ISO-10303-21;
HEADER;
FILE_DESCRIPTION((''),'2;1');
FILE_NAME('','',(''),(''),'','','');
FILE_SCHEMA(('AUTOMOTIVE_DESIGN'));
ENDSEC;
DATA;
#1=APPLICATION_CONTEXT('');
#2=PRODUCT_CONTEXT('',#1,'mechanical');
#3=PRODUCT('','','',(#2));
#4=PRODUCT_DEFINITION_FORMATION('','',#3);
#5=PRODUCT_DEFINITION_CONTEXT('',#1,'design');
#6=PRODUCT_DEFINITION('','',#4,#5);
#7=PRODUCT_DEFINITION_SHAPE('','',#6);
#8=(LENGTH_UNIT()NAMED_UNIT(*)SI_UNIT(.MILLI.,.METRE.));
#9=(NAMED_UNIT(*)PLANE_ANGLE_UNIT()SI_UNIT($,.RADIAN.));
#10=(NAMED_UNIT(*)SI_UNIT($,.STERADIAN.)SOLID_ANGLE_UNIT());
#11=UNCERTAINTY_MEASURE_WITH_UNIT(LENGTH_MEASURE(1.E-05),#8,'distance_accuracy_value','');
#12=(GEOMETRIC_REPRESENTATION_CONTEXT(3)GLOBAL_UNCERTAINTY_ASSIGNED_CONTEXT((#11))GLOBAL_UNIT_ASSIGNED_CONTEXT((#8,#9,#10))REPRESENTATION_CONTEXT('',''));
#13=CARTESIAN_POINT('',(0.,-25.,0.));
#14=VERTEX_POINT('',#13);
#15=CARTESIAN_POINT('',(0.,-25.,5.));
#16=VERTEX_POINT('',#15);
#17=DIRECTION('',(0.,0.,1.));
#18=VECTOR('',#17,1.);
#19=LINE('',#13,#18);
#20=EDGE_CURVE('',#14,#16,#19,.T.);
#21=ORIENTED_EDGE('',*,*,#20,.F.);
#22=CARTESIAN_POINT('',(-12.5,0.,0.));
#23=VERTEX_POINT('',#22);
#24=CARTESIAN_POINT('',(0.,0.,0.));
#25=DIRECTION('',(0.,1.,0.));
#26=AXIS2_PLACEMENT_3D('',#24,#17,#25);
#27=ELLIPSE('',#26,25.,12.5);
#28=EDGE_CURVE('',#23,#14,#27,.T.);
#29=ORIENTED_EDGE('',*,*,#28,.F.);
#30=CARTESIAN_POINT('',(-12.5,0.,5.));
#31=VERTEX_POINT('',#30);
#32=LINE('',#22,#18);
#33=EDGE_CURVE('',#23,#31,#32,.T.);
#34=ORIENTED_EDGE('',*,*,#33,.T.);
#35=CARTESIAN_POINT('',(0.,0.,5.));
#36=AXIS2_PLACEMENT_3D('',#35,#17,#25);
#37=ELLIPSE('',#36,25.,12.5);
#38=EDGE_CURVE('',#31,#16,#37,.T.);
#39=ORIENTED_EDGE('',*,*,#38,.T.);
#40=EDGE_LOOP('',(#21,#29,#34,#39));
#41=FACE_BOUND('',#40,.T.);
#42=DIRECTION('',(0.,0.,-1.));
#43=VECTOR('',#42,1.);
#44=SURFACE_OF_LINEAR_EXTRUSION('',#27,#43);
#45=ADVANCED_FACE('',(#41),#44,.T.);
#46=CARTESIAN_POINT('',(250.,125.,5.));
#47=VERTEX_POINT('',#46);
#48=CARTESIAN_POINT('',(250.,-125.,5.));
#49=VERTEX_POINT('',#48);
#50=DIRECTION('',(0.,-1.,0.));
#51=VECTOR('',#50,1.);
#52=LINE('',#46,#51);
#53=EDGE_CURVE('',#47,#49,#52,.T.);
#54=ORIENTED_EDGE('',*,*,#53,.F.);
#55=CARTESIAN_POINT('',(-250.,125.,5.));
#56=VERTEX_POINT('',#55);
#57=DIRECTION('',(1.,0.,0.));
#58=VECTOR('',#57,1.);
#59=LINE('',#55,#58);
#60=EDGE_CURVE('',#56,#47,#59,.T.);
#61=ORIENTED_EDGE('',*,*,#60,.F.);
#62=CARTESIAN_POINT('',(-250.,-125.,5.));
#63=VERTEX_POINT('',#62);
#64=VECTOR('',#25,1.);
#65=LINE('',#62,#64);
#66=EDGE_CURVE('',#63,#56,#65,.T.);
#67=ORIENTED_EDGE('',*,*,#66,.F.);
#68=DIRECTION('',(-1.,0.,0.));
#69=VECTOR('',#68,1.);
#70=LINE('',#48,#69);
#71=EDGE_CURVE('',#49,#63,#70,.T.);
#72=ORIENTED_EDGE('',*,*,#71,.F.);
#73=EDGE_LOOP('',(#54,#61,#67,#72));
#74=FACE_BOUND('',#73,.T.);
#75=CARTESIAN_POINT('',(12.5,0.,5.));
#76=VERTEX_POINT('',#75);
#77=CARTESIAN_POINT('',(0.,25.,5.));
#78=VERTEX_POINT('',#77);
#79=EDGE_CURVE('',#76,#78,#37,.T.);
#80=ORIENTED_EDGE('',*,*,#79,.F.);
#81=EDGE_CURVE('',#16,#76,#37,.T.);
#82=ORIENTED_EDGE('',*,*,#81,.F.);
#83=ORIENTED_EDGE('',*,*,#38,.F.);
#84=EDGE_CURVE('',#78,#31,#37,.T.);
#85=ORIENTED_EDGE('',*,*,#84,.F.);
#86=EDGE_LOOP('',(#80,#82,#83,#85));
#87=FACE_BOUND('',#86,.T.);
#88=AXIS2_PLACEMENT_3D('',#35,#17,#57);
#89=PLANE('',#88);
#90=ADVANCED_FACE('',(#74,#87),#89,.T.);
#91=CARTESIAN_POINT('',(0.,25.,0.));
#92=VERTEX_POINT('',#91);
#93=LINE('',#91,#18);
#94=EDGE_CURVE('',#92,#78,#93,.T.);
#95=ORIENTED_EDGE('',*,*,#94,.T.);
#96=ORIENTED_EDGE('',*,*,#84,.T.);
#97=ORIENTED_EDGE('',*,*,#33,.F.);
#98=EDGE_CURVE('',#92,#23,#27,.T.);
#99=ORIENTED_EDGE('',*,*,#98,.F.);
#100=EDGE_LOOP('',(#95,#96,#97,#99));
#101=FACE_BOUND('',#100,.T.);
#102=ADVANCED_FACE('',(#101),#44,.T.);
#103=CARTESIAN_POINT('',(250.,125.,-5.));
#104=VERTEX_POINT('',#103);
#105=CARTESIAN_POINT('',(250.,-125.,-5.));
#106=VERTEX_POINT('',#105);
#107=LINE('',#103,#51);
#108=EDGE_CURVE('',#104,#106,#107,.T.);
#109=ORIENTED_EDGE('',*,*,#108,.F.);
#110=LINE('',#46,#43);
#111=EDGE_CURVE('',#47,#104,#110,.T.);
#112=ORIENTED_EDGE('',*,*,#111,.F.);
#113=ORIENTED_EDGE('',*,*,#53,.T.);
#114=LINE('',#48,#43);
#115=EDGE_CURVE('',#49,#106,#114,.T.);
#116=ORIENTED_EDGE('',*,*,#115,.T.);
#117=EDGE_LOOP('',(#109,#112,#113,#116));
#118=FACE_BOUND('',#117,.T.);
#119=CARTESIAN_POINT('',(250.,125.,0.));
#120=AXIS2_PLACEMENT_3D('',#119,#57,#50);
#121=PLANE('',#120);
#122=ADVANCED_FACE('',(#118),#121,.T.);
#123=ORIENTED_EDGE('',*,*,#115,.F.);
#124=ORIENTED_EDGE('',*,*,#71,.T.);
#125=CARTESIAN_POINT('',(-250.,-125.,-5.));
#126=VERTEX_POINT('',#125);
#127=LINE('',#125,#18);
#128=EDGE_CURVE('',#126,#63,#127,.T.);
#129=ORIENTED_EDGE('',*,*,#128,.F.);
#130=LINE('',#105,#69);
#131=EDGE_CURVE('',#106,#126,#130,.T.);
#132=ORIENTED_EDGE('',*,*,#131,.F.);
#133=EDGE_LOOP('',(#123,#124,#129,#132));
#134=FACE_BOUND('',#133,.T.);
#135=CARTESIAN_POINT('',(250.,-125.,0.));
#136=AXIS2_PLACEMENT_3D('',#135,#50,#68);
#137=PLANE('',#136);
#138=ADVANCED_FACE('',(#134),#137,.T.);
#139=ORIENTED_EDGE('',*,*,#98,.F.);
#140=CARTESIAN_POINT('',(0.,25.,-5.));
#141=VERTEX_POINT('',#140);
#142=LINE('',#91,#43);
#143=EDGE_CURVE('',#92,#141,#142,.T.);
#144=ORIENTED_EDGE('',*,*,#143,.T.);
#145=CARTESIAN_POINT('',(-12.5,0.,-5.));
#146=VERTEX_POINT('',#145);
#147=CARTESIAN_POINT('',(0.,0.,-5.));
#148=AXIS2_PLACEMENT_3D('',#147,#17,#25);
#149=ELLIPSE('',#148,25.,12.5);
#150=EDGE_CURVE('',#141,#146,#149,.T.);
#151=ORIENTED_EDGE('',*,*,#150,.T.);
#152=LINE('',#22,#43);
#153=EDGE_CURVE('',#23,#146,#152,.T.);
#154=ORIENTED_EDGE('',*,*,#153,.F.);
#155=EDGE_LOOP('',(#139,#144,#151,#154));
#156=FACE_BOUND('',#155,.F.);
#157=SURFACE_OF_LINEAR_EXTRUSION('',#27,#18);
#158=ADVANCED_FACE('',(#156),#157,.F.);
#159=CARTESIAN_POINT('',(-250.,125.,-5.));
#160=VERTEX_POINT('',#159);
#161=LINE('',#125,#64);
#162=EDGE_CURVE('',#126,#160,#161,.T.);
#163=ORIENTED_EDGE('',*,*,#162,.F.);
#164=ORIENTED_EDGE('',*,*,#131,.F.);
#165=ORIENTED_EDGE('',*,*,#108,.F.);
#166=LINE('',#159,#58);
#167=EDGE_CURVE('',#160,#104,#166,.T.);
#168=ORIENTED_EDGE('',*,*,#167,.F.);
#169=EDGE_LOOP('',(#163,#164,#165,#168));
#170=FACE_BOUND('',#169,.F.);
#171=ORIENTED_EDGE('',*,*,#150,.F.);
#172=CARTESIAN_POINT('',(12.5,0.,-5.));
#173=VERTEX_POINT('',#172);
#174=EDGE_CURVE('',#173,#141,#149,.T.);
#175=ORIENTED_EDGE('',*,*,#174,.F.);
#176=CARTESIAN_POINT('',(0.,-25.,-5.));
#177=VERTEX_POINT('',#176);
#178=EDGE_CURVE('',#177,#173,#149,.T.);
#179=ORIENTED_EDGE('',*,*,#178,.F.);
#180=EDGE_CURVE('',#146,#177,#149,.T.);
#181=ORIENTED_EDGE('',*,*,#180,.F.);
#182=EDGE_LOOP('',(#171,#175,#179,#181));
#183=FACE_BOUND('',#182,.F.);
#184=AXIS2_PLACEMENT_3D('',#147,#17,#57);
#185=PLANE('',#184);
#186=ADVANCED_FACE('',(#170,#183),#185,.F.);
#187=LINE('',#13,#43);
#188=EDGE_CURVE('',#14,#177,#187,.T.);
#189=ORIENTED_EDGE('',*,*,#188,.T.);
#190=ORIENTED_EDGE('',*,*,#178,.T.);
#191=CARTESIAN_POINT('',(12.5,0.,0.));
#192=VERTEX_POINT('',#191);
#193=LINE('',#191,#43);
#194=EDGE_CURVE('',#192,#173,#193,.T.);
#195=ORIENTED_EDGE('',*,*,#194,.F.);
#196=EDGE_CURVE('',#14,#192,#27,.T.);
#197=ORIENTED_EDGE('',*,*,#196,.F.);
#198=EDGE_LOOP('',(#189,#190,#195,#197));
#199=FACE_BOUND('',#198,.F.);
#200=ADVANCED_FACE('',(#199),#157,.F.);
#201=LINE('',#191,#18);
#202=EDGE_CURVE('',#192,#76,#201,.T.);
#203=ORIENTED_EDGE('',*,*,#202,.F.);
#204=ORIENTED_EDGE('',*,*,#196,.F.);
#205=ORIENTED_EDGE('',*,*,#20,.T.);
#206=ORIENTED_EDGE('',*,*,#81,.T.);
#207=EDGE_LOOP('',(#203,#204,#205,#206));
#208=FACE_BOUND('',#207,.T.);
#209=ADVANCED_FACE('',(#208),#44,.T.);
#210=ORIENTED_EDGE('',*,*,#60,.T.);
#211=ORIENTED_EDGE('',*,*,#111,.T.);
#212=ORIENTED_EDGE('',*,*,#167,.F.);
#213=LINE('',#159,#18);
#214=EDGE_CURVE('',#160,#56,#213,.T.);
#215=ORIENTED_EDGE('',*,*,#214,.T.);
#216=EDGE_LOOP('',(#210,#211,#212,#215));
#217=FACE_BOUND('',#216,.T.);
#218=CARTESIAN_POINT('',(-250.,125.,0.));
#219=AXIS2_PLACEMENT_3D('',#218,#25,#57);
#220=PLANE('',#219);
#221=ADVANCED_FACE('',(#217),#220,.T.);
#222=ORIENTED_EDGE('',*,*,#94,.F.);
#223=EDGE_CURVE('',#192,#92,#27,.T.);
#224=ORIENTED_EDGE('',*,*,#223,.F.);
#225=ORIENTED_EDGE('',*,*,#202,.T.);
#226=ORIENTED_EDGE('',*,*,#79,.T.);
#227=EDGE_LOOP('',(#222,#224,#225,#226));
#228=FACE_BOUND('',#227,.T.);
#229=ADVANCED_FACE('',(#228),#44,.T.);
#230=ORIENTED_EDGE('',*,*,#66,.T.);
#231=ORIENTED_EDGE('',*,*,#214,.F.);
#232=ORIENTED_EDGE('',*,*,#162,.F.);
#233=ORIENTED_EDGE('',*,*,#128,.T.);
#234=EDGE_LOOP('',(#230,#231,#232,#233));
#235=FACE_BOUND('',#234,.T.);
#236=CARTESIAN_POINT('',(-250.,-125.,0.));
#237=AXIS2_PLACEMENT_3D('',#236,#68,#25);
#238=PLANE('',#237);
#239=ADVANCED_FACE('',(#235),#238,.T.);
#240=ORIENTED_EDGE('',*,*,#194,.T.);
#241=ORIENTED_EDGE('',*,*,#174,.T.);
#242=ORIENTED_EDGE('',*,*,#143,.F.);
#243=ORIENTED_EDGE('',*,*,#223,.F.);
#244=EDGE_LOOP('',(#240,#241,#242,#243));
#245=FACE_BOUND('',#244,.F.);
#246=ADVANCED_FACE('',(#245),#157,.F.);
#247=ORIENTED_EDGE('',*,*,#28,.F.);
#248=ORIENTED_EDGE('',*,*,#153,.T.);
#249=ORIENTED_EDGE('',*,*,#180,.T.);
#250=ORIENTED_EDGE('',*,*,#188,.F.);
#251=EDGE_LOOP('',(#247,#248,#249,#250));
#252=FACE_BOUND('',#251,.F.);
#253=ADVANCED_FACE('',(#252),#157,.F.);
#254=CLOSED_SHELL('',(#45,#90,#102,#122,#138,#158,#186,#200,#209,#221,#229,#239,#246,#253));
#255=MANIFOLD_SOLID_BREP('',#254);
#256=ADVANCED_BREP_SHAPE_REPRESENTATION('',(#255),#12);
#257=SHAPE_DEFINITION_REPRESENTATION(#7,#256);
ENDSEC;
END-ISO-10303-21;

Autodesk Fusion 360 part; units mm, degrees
sketch "Sketch1" plane through (0, 0, 0) normal (0, 0, 1) x (1, 0, 0)
  line L0 (-250, 125) -> (250, 125)
  line L1 (250, 125) -> (250, -125)
  line L2 (250, -125) -> (-250, -125)
  line L3 (-250, -125) -> (-250, 125)
  line L4 (-250, 0) -> (250, 0) construction
  line L5 (0, 125) -> (0, -125) construction
  ellipse E0 centre (0, 0) end of major axis (0, 25) minor radius 12.5
  line L6 (0, -25) -> (0, 25)
  line L7 (12.5, 0) -> (-12.5, 0)
  dimension "Major_Radius" = 25
  dimension "Minor_Radius" = 12.5
  dimension "Total_Height" = 250
  dimension "Total_Width" = 500
extrude "Extrude1" add sketch "Sketch1" along normal mid plane 10
equation "Thickness = 1 cm"
